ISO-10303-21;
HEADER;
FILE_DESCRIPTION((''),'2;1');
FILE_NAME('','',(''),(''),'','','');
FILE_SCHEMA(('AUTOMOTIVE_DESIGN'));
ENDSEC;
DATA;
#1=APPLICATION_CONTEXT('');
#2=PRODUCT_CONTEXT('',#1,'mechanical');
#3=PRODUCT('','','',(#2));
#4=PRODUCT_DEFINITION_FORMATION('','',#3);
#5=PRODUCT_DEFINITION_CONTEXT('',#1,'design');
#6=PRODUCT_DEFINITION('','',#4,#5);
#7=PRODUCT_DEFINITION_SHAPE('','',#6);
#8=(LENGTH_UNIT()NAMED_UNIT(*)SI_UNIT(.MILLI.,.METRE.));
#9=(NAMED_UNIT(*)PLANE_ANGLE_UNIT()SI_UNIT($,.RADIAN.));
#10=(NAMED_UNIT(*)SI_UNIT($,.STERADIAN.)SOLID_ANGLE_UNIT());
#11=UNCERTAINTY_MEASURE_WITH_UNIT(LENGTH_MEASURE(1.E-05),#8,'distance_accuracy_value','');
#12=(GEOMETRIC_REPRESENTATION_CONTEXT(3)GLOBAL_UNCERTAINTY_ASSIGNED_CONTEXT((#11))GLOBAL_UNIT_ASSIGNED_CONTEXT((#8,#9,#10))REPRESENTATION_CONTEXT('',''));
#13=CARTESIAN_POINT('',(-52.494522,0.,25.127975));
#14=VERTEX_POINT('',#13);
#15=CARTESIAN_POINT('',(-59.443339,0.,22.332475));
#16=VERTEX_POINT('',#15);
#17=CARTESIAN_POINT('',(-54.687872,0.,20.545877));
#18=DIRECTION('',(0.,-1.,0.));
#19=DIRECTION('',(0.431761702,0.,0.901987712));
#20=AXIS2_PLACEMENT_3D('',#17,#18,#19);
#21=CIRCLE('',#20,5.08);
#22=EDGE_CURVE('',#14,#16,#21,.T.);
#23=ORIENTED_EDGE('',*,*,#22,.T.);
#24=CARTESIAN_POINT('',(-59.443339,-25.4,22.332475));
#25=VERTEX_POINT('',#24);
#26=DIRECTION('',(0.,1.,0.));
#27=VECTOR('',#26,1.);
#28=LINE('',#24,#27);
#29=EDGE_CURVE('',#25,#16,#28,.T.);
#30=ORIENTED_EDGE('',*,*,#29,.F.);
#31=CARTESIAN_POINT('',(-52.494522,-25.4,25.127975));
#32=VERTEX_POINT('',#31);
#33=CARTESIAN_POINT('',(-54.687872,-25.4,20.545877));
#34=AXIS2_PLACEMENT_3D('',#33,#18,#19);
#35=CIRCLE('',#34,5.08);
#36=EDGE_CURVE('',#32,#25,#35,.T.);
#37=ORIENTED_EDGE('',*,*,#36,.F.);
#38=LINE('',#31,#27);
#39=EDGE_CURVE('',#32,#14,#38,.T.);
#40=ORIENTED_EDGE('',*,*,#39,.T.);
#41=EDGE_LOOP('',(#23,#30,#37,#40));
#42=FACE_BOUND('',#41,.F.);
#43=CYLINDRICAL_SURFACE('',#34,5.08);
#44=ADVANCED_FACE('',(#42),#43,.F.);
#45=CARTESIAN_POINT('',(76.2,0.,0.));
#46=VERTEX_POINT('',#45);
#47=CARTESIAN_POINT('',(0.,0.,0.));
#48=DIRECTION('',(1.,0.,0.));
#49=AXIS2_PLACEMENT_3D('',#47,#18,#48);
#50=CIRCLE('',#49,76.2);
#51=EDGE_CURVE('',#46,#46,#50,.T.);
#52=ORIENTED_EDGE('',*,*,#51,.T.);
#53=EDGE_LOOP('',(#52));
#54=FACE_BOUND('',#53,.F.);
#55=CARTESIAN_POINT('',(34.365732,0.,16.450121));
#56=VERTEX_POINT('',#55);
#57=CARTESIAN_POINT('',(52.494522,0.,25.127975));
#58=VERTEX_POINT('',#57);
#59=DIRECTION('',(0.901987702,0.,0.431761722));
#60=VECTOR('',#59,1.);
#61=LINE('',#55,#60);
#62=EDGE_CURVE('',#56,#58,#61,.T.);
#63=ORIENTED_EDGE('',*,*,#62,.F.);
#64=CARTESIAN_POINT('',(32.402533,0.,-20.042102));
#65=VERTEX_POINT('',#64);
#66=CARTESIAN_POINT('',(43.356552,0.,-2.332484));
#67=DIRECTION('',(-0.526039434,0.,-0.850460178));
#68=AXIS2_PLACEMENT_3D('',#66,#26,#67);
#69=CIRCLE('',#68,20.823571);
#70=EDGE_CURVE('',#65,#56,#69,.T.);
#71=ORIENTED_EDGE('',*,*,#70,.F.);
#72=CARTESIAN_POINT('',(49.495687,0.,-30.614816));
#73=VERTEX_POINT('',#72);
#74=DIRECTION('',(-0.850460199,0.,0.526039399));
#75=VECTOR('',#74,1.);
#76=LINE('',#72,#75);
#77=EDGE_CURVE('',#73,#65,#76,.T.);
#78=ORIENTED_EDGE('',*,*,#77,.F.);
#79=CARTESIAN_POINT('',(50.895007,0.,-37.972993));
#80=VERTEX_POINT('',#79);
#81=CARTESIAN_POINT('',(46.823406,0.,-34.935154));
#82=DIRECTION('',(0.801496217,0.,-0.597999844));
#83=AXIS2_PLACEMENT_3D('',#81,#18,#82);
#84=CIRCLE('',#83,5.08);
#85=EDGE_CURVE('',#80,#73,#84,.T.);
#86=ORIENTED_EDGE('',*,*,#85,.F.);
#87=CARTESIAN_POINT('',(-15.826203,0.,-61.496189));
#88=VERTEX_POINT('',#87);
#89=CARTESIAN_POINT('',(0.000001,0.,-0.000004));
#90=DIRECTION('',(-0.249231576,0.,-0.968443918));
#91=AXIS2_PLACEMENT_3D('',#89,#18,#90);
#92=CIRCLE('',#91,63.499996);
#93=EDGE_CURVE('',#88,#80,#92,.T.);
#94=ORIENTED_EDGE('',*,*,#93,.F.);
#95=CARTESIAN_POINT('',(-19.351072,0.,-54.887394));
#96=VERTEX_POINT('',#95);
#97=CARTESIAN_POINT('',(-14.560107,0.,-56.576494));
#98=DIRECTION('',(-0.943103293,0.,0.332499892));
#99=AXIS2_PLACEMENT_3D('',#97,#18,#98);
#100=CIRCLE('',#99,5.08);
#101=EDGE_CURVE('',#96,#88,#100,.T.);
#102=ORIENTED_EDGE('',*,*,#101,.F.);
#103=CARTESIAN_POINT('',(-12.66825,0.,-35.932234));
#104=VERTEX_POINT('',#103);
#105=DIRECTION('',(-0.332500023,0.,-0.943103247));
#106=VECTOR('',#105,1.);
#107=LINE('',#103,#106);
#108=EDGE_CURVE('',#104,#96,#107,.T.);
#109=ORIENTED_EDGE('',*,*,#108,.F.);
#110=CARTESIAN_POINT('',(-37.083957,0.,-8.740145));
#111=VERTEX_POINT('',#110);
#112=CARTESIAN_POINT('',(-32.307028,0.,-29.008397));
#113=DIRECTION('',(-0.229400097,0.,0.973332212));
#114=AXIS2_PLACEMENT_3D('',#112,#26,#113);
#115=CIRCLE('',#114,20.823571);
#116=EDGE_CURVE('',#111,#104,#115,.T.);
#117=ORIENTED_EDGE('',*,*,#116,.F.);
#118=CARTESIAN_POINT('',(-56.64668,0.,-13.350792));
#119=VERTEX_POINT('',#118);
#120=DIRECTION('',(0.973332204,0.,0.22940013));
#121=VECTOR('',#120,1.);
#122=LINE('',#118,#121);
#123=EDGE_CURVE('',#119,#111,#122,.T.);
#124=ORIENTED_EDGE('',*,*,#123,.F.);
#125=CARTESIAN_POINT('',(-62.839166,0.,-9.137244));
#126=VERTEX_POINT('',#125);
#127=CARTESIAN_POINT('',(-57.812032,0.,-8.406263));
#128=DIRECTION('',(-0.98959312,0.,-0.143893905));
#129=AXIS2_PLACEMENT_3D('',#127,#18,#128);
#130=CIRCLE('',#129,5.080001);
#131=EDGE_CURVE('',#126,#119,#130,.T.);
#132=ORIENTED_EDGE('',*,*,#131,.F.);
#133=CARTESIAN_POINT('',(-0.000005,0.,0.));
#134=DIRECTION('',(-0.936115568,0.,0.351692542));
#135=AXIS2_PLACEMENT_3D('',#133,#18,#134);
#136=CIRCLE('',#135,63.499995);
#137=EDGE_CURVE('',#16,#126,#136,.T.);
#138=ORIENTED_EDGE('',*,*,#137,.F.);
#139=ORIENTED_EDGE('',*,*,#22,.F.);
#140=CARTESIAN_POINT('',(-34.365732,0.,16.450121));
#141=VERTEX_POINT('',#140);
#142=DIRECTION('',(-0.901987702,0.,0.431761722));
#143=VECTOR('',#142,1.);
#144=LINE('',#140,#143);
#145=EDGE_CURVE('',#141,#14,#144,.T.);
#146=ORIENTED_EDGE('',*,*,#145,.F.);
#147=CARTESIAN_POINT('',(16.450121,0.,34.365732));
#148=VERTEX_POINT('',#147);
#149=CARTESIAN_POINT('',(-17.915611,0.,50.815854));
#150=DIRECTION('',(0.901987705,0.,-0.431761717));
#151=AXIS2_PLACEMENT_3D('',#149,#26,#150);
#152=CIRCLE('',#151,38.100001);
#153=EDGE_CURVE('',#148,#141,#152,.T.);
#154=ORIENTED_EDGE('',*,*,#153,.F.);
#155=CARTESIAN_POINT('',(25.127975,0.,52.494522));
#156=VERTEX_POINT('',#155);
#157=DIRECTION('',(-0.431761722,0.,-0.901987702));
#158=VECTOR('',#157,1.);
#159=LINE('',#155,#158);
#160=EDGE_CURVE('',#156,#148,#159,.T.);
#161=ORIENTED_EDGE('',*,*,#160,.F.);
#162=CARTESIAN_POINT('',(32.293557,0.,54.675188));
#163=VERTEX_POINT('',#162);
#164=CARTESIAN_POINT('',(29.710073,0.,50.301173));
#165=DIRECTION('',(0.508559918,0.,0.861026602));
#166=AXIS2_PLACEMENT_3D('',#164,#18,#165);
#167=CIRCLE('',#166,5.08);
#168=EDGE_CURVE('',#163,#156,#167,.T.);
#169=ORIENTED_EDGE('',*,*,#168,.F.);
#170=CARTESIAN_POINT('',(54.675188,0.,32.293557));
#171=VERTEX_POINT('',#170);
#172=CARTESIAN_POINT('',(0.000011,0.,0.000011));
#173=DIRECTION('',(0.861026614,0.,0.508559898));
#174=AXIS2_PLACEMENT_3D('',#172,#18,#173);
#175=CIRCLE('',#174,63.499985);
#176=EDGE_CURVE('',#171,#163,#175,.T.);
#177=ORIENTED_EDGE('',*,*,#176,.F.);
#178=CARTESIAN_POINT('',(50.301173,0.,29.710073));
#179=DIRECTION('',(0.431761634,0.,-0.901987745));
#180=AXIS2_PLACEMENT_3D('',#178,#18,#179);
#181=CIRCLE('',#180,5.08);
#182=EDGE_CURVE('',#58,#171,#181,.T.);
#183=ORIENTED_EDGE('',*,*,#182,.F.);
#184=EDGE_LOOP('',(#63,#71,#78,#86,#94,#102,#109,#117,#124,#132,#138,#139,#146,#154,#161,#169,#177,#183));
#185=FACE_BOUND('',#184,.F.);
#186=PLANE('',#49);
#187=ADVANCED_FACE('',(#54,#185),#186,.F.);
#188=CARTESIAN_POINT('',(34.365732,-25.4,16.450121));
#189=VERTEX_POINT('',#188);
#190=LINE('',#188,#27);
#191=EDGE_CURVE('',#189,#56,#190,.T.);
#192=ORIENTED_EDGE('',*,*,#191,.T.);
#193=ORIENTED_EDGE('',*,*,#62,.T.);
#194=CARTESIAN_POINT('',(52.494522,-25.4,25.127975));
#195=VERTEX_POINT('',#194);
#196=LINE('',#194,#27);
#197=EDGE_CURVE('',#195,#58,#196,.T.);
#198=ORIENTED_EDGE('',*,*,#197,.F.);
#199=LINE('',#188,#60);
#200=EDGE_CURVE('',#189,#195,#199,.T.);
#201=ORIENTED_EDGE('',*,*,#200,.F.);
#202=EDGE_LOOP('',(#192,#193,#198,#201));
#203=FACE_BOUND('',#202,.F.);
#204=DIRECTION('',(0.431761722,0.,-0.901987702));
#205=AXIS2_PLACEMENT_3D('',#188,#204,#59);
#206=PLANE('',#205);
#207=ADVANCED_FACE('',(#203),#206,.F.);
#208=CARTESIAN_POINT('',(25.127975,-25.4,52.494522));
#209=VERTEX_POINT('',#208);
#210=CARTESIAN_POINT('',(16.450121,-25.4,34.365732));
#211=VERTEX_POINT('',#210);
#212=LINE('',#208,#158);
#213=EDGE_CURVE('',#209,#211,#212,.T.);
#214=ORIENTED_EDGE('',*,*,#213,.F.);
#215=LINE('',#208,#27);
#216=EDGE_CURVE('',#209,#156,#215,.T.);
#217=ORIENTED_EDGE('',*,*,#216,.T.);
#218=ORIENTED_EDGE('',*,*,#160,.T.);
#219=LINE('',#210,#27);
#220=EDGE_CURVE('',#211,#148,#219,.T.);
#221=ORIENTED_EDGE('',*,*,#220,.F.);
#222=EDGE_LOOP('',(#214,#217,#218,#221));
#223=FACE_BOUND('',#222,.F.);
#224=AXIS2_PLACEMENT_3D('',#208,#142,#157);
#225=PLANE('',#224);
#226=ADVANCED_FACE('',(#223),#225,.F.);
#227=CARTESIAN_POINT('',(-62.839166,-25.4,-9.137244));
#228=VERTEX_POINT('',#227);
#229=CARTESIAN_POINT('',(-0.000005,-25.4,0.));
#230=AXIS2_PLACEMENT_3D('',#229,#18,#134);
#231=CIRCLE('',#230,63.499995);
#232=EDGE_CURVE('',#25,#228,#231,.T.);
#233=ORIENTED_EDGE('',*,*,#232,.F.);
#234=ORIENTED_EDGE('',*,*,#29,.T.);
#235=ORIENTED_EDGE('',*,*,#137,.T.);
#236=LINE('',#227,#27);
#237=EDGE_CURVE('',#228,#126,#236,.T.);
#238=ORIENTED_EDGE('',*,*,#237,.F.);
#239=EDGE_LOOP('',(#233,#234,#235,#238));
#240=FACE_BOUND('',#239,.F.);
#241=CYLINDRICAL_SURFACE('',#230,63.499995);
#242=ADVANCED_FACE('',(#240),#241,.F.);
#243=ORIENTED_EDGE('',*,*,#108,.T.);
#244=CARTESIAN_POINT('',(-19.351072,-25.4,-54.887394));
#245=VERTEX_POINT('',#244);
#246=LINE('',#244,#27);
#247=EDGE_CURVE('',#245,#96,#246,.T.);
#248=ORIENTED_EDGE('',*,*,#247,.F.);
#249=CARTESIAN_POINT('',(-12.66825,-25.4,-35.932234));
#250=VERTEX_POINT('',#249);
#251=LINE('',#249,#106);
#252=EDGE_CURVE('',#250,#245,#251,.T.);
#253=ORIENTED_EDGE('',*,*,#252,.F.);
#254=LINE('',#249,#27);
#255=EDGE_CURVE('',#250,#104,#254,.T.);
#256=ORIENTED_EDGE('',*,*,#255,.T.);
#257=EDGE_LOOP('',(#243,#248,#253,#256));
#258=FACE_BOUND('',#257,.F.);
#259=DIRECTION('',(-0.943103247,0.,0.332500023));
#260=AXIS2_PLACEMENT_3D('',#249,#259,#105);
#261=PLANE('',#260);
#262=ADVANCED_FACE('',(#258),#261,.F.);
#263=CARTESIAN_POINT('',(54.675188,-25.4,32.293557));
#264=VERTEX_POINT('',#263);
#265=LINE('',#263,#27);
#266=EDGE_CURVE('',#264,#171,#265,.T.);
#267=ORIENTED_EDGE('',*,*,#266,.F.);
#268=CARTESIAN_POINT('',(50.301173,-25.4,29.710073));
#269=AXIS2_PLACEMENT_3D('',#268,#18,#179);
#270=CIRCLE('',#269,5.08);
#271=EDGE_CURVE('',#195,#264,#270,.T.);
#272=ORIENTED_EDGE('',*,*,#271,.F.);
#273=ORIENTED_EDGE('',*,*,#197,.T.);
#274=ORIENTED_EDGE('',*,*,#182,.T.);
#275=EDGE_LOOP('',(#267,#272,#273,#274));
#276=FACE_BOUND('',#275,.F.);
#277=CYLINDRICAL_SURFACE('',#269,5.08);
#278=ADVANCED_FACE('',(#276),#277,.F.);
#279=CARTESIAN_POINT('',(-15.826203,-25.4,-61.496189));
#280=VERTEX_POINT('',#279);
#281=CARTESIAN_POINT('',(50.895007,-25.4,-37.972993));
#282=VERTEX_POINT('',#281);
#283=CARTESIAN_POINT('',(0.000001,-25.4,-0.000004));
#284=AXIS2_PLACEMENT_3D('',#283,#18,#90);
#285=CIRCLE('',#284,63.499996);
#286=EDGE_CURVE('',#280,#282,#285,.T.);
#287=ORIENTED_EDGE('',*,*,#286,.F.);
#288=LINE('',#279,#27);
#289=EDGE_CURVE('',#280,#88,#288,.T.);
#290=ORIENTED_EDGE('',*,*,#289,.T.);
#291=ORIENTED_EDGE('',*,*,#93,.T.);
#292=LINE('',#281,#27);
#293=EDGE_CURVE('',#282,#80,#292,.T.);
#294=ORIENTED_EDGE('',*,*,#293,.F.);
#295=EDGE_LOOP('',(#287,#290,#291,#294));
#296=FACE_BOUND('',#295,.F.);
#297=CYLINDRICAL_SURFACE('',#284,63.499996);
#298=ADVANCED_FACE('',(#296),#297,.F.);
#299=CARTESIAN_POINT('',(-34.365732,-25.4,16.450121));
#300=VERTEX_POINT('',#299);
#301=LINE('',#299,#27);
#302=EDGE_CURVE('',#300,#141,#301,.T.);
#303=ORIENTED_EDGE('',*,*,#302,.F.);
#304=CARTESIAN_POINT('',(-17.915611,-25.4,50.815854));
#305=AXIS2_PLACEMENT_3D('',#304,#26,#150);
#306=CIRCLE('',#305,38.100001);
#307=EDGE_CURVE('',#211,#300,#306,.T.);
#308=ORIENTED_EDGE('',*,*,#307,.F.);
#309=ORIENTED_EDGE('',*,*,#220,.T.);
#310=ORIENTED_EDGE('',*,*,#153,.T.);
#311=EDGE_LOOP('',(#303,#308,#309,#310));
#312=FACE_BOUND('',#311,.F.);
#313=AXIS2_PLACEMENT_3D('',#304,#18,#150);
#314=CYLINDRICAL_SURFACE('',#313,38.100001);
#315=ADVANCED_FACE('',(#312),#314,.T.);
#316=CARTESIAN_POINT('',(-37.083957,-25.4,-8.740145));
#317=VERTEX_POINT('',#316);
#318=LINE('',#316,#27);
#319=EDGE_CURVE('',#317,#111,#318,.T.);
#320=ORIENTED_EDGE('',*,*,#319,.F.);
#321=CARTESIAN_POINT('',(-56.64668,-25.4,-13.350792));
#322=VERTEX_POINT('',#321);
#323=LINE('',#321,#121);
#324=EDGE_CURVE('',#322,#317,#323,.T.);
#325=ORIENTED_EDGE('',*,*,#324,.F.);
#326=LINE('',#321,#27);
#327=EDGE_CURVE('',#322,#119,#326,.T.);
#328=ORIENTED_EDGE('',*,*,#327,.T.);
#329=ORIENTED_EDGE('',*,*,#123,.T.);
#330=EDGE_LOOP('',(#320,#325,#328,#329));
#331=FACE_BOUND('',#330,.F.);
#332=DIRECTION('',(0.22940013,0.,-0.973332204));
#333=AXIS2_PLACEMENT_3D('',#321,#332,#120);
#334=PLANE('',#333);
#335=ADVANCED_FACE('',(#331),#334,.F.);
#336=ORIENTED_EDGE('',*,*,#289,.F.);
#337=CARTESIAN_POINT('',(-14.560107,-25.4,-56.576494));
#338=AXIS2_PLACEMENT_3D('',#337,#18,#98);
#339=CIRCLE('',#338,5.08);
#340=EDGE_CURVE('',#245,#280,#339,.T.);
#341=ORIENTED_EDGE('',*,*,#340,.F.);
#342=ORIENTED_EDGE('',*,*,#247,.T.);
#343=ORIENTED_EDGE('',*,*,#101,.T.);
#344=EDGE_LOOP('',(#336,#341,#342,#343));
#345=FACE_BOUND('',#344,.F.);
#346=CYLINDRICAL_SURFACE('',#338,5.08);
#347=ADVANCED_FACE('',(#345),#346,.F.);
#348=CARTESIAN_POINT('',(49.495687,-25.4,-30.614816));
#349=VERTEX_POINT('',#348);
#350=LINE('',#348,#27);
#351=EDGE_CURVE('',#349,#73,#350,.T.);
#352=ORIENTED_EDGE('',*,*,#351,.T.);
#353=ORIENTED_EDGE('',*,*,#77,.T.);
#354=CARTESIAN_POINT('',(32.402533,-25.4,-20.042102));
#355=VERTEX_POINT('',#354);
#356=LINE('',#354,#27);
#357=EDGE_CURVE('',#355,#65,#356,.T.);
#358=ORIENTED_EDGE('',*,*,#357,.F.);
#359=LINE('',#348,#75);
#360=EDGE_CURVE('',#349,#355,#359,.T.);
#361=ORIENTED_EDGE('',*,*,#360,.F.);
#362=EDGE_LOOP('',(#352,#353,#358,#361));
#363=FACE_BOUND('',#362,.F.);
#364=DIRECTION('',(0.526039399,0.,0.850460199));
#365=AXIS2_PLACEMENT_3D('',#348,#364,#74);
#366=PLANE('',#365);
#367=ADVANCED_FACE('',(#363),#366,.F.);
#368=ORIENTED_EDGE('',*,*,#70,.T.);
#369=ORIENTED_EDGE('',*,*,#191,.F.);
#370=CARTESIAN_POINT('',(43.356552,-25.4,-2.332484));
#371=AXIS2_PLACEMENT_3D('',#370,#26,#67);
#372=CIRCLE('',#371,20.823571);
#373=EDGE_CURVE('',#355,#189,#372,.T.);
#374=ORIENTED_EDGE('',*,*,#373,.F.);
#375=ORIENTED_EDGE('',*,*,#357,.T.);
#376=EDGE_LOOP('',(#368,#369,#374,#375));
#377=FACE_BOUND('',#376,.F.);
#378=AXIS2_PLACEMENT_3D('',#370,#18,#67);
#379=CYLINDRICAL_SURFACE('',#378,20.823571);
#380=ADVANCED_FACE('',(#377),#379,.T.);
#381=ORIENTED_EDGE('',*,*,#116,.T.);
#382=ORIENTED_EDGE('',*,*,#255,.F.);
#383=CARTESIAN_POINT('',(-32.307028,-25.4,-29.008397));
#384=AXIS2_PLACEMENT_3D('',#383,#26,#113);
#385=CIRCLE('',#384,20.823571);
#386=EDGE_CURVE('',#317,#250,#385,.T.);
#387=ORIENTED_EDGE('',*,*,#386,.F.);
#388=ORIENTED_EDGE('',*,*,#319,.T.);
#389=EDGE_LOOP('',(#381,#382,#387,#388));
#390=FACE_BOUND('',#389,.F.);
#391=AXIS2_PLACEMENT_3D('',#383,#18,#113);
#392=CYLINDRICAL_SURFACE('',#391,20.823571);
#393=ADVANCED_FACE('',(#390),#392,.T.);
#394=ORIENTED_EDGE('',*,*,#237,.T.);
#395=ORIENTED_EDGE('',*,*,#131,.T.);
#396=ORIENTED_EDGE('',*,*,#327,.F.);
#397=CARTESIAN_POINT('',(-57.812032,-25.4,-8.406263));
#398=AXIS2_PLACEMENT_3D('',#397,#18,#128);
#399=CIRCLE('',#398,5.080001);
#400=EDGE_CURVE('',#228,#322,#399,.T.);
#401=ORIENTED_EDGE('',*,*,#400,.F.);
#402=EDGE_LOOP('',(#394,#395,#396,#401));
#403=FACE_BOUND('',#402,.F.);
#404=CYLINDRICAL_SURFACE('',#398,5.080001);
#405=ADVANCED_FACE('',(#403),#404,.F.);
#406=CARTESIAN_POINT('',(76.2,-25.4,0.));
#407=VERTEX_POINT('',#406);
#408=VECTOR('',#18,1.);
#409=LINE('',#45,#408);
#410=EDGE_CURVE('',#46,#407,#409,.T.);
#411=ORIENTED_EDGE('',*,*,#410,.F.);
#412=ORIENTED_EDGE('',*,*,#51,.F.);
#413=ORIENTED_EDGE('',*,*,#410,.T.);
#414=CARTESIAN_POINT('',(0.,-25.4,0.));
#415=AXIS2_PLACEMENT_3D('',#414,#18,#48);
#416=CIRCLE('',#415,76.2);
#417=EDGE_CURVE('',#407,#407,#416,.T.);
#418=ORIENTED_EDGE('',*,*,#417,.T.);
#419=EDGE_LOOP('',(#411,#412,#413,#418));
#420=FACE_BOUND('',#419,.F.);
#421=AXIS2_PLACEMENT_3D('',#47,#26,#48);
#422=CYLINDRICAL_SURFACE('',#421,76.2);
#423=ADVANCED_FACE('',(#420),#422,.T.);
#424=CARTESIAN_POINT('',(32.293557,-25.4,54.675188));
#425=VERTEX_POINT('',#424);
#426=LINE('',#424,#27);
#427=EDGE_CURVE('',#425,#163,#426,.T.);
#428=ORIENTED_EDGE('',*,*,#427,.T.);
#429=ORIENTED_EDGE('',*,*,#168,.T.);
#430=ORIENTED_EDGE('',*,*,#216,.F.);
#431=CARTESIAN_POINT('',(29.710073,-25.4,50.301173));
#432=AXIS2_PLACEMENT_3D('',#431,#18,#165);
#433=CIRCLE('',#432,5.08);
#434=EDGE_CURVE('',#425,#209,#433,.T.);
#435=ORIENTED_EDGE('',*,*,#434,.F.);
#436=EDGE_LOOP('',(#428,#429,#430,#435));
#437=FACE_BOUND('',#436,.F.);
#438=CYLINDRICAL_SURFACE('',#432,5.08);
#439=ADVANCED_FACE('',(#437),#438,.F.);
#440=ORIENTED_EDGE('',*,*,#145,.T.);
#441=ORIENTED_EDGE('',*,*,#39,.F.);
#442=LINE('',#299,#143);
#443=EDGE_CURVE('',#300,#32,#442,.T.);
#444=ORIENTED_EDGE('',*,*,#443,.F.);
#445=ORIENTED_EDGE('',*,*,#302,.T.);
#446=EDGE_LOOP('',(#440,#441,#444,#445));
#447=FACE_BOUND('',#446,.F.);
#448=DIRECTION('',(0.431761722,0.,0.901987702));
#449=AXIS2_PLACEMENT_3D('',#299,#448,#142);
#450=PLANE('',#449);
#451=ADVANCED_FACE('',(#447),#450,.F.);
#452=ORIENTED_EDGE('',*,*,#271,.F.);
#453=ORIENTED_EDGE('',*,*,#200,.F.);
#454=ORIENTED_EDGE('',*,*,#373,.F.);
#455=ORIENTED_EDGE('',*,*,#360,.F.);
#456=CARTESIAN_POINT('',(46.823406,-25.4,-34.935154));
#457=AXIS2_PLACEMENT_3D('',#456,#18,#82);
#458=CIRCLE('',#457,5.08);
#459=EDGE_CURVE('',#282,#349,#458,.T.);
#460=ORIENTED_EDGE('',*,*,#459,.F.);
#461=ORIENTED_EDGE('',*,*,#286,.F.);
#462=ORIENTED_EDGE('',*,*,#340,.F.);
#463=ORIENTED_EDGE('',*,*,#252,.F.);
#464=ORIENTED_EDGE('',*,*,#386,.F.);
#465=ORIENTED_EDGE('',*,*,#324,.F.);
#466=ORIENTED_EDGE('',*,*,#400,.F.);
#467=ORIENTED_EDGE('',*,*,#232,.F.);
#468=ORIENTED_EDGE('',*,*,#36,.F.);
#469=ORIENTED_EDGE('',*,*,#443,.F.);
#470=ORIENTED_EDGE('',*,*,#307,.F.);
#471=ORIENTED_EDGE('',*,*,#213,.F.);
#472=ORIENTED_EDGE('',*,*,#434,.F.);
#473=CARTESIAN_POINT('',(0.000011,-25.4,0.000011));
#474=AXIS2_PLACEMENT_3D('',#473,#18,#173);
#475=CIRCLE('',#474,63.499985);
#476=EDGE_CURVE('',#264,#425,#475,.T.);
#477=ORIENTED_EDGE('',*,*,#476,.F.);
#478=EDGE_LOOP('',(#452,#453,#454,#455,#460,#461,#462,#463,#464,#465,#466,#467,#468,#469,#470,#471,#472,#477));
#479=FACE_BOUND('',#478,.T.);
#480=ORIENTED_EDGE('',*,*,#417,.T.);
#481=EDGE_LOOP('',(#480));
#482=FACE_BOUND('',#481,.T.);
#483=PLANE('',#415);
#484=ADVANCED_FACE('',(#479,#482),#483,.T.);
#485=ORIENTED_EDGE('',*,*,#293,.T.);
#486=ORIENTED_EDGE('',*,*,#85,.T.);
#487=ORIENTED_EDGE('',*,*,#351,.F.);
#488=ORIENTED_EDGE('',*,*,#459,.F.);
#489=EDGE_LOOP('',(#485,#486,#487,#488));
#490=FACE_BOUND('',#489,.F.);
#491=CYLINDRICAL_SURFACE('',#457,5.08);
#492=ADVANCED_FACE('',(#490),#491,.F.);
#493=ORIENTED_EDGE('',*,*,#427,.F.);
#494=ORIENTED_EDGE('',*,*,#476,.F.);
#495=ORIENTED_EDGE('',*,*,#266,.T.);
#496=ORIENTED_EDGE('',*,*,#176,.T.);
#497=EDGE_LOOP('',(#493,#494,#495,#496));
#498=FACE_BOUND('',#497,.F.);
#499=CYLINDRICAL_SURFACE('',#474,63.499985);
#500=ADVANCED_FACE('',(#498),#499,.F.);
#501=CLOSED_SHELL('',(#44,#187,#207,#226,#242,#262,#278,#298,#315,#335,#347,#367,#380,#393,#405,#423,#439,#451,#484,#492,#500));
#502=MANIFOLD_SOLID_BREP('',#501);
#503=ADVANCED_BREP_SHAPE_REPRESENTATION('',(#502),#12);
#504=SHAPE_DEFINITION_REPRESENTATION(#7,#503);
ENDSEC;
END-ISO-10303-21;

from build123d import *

# Parameters (mm, degrees)
F0_R     = 76.2
F1_DEPTH = 25.4
F3_DEPTH = 25.4


with BuildPart() as f1:
    # F0 (on Front) → F1 (new body)
    with BuildSketch(Plane.XZ):
        Circle(F0_R)
    extrude(amount=F1_DEPTH)

    # F2 (on face) → F3 (cut)
    with BuildSketch(Plane.XZ.offset(25.4)):
        with BuildLine():
            ThreePointArc((16.450121, 34.365732), (-5.247361, 14.883619), (-34.365732, 16.450121))
            Line((-34.365732, 16.450121), (-52.494522, 25.127975))
            ThreePointArc((-52.494522, 25.127975), (-56.583872, 25.258794), (-59.443339, 22.332475))
            ThreePointArc((-59.443339, 22.332475), (-63.133498, 6.812595), (-62.839166, -9.137244))
            ThreePointArc((-62.839166, -9.137244), (-60.6698, -12.606212), (-56.64668, -13.350792))
            Line((-56.64668, -13.350792), (-37.083957, -8.740145))
            ThreePointArc((-37.083957, -8.740145), (-16.812801, -15.096171), (-12.66825, -35.932234))
            Line((-12.66825, -35.932234), (-19.351072, -54.887394))
            ThreePointArc((-19.351072, -54.887394), (-19.04241, -58.967176), (-15.826203, -61.496189))
            ThreePointArc((-15.826203, -61.496189), (21.11375, -59.887057), (50.895007, -37.972993))
            ThreePointArc((50.895007, -37.972993), (51.813965, -33.986089), (49.495687, -30.614816))
            Line((49.495687, -30.614816), (32.402533, -20.042102))
            ThreePointArc((32.402533, -20.042102), (22.56305, -1.213841), (34.365732, 16.450121))
            Line((34.365732, 16.450121), (52.494522, 25.127975))
            ThreePointArc((52.494522, 25.127975), (55.161107, 28.231073), (54.675188, 32.293557))
            ThreePointArc((54.675188, 32.293557), (44.901281, 44.901281), (32.293557, 54.675188))
            ThreePointArc((32.293557, 54.675188), (28.231073, 55.161107), (25.127975, 52.494522))
            Line((25.127975, 52.494522), (16.450121, 34.365732))
        make_face()
    extrude(amount=-F3_DEPTH, mode=Mode.SUBTRACT)


solid = f1.part
